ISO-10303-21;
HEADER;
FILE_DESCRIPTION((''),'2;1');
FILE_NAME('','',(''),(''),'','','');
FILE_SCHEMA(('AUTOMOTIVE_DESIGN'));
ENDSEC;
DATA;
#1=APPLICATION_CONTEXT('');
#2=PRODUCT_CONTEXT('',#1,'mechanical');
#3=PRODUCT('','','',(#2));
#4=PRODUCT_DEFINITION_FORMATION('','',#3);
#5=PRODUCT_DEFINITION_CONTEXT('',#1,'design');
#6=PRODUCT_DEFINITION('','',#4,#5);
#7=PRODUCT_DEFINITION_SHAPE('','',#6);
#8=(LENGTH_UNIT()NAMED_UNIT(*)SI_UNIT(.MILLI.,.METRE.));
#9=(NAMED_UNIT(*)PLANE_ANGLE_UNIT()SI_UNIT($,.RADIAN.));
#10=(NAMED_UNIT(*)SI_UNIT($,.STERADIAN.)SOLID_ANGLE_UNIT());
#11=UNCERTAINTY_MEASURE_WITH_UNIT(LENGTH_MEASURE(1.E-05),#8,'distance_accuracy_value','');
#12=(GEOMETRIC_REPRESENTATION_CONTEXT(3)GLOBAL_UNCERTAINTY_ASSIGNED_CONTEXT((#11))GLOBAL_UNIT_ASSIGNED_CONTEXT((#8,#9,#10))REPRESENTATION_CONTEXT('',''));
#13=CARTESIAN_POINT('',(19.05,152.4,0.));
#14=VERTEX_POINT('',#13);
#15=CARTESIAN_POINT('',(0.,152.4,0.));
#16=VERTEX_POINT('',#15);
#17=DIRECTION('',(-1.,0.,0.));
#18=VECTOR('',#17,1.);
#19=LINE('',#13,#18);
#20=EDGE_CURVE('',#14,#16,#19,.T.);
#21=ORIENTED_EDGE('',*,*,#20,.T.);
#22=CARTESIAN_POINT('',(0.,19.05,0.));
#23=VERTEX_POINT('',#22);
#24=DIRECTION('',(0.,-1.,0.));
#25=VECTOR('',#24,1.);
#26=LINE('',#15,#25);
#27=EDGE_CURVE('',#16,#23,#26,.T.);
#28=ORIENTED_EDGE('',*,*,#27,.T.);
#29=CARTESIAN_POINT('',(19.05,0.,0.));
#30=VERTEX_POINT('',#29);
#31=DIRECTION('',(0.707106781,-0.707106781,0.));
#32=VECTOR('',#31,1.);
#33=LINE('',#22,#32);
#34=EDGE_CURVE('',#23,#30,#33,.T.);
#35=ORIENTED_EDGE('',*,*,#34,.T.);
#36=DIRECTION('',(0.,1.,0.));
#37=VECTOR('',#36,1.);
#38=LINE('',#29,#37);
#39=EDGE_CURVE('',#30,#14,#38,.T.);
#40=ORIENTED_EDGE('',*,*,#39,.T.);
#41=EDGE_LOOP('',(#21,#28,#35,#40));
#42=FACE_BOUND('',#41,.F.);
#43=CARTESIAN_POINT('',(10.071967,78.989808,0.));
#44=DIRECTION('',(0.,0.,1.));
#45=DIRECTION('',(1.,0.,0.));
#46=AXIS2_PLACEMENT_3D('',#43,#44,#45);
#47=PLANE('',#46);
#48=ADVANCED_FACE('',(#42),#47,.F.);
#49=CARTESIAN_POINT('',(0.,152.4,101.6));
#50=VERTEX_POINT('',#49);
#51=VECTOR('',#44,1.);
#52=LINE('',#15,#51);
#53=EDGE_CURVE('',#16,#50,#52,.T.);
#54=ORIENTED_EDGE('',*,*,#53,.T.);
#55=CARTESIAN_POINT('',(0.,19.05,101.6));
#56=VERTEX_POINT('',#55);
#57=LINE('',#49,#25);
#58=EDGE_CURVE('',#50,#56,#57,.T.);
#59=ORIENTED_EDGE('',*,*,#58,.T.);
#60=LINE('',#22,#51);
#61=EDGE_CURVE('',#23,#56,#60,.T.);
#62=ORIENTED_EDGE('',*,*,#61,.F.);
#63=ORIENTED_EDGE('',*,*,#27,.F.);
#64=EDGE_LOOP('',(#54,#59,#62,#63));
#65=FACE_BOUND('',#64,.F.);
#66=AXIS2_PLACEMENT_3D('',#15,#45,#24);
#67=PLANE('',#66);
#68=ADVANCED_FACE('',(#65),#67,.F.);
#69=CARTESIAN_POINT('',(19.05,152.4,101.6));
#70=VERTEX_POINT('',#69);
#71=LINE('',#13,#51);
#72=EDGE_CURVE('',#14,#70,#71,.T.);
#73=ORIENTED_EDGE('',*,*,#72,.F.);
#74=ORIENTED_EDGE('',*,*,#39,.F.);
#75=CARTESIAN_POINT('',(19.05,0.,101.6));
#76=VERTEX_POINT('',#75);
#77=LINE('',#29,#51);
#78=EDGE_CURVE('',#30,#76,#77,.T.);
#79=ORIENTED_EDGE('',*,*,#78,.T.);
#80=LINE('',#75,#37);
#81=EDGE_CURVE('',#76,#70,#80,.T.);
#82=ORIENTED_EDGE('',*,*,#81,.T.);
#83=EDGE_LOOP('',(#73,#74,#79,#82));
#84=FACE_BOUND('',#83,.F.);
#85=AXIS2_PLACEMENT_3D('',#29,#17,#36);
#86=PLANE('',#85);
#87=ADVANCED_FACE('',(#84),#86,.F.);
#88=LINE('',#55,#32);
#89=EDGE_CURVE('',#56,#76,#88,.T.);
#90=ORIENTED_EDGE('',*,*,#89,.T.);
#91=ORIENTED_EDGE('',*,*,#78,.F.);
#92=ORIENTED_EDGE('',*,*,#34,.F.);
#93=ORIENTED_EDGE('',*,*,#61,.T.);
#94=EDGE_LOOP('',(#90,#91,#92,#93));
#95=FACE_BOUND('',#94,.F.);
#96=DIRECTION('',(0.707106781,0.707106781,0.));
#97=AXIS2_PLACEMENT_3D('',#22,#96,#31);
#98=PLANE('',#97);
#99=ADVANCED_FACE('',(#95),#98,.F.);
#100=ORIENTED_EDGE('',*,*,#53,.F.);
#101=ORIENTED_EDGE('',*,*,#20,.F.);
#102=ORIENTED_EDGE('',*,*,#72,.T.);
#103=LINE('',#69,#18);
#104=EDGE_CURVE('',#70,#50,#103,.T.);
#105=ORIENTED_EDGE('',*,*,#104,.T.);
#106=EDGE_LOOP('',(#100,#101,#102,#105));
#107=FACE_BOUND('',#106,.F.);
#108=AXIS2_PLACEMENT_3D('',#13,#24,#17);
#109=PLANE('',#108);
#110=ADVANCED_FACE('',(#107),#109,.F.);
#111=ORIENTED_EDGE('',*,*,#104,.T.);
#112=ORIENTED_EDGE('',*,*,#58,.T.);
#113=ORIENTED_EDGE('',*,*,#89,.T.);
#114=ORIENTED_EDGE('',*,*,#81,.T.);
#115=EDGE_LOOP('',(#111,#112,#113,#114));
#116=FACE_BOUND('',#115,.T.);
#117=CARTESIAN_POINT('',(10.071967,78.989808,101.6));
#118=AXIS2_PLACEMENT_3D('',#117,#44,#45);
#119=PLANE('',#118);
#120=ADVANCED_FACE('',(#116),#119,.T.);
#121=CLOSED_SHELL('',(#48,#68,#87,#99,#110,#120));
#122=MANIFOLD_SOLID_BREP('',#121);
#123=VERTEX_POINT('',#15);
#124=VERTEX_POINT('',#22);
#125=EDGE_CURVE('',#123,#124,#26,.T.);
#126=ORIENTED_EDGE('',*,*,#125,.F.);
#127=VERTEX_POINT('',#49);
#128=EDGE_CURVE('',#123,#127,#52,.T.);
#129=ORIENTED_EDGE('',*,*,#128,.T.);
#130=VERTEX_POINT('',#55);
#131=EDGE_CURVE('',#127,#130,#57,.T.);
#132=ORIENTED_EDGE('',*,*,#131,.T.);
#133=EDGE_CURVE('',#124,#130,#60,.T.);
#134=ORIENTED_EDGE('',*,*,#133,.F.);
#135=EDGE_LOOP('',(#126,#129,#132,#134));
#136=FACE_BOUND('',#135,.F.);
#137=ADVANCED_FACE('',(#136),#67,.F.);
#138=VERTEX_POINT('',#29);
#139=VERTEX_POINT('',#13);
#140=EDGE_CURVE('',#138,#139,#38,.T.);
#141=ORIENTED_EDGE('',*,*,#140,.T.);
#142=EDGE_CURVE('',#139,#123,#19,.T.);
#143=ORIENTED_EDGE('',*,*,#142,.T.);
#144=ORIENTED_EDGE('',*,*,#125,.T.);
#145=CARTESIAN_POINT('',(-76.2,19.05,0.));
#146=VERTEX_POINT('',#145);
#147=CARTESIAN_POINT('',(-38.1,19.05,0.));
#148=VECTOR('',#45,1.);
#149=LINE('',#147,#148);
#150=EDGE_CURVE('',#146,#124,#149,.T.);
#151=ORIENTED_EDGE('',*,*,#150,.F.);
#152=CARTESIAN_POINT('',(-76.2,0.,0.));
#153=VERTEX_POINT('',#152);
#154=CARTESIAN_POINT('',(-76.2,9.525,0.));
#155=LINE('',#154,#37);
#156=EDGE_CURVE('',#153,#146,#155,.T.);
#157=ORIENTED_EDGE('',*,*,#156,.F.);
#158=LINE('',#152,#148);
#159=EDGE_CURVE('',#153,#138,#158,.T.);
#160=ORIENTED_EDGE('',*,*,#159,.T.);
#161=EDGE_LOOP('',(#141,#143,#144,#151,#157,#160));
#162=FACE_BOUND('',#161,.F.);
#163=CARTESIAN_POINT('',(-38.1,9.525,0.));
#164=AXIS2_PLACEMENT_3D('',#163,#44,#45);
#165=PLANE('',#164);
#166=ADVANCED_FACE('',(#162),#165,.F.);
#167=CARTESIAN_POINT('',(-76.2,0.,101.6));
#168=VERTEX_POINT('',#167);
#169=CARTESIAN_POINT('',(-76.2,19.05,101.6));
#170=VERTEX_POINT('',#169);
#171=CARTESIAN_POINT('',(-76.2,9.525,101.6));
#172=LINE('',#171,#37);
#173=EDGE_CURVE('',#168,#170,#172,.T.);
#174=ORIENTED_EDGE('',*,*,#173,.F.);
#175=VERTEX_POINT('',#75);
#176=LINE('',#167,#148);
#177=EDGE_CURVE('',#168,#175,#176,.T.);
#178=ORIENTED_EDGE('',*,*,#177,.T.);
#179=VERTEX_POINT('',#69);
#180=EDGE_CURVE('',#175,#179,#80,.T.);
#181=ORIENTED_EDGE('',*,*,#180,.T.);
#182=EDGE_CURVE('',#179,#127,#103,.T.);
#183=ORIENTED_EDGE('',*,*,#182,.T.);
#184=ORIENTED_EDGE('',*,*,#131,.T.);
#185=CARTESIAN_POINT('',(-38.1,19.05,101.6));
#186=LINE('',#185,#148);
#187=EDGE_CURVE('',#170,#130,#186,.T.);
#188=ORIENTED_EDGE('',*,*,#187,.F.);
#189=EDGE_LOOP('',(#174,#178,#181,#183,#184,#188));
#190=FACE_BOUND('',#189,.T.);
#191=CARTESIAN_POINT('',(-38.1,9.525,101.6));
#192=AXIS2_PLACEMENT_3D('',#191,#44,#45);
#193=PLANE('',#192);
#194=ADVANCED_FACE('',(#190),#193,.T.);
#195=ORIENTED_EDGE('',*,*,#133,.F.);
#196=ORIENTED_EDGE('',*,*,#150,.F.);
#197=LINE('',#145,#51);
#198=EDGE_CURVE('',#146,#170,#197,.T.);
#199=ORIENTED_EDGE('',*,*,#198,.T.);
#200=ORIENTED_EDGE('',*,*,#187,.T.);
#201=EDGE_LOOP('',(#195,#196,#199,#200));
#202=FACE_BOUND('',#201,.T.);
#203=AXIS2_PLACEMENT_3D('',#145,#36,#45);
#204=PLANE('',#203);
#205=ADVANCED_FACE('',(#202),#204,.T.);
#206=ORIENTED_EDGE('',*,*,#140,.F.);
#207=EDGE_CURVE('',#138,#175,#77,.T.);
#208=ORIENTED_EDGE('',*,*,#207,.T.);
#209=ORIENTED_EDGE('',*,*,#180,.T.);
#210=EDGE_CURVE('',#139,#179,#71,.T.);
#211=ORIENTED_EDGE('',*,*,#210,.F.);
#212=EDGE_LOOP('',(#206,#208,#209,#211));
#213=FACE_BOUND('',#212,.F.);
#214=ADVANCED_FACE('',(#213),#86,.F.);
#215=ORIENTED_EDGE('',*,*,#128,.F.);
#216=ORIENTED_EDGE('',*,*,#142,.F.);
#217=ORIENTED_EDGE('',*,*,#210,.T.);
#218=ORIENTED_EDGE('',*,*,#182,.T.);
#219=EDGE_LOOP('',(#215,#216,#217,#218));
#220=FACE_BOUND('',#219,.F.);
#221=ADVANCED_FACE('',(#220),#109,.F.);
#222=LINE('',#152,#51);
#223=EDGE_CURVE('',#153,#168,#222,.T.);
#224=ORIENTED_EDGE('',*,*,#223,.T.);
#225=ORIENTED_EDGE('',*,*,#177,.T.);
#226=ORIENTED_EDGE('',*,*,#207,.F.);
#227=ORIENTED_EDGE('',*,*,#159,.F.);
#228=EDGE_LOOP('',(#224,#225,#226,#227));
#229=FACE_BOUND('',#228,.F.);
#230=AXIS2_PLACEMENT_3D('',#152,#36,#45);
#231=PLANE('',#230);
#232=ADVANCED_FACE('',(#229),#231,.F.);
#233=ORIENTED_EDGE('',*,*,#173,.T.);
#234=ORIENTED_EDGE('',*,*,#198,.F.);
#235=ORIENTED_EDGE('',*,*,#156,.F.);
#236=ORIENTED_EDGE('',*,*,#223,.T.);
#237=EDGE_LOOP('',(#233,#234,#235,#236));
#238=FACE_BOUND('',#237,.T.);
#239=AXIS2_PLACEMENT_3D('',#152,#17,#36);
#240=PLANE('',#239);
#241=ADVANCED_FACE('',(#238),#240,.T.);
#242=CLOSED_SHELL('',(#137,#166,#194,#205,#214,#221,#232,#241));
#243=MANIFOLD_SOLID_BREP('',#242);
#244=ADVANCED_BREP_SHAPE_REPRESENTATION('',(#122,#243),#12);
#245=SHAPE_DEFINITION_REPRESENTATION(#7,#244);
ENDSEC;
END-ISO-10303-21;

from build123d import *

# Parameters (mm, degrees)
F1_DEPTH = 101.6
F0_W     = 76.2
F0_H     = 19.05
F2_DEPTH = 101.6


with BuildPart() as f1:
    # F0 (on Top) → F1 (new body)
    with BuildSketch(Plane.XY):
        Polygon((0, 152.4), (0, 19.05), (19.05, 0), (19.05, 152.4), align=None)
    extrude(amount=F1_DEPTH)


with BuildPart() as f2:
    # F0 (on Top) → F2 (new body)
    with BuildSketch(Plane.XY):
        with Locations((-38.1, 9.525)):
            Rectangle(F0_W, F0_H)
        Polygon((0, 19.05), (0, 0), (19.05, 0), align=None)
        Polygon((0, 152.4), (0, 19.05), (19.05, 0), (19.05, 152.4), align=None)
    extrude(amount=F2_DEPTH)


solid = Compound([f1.part, f2.part])
